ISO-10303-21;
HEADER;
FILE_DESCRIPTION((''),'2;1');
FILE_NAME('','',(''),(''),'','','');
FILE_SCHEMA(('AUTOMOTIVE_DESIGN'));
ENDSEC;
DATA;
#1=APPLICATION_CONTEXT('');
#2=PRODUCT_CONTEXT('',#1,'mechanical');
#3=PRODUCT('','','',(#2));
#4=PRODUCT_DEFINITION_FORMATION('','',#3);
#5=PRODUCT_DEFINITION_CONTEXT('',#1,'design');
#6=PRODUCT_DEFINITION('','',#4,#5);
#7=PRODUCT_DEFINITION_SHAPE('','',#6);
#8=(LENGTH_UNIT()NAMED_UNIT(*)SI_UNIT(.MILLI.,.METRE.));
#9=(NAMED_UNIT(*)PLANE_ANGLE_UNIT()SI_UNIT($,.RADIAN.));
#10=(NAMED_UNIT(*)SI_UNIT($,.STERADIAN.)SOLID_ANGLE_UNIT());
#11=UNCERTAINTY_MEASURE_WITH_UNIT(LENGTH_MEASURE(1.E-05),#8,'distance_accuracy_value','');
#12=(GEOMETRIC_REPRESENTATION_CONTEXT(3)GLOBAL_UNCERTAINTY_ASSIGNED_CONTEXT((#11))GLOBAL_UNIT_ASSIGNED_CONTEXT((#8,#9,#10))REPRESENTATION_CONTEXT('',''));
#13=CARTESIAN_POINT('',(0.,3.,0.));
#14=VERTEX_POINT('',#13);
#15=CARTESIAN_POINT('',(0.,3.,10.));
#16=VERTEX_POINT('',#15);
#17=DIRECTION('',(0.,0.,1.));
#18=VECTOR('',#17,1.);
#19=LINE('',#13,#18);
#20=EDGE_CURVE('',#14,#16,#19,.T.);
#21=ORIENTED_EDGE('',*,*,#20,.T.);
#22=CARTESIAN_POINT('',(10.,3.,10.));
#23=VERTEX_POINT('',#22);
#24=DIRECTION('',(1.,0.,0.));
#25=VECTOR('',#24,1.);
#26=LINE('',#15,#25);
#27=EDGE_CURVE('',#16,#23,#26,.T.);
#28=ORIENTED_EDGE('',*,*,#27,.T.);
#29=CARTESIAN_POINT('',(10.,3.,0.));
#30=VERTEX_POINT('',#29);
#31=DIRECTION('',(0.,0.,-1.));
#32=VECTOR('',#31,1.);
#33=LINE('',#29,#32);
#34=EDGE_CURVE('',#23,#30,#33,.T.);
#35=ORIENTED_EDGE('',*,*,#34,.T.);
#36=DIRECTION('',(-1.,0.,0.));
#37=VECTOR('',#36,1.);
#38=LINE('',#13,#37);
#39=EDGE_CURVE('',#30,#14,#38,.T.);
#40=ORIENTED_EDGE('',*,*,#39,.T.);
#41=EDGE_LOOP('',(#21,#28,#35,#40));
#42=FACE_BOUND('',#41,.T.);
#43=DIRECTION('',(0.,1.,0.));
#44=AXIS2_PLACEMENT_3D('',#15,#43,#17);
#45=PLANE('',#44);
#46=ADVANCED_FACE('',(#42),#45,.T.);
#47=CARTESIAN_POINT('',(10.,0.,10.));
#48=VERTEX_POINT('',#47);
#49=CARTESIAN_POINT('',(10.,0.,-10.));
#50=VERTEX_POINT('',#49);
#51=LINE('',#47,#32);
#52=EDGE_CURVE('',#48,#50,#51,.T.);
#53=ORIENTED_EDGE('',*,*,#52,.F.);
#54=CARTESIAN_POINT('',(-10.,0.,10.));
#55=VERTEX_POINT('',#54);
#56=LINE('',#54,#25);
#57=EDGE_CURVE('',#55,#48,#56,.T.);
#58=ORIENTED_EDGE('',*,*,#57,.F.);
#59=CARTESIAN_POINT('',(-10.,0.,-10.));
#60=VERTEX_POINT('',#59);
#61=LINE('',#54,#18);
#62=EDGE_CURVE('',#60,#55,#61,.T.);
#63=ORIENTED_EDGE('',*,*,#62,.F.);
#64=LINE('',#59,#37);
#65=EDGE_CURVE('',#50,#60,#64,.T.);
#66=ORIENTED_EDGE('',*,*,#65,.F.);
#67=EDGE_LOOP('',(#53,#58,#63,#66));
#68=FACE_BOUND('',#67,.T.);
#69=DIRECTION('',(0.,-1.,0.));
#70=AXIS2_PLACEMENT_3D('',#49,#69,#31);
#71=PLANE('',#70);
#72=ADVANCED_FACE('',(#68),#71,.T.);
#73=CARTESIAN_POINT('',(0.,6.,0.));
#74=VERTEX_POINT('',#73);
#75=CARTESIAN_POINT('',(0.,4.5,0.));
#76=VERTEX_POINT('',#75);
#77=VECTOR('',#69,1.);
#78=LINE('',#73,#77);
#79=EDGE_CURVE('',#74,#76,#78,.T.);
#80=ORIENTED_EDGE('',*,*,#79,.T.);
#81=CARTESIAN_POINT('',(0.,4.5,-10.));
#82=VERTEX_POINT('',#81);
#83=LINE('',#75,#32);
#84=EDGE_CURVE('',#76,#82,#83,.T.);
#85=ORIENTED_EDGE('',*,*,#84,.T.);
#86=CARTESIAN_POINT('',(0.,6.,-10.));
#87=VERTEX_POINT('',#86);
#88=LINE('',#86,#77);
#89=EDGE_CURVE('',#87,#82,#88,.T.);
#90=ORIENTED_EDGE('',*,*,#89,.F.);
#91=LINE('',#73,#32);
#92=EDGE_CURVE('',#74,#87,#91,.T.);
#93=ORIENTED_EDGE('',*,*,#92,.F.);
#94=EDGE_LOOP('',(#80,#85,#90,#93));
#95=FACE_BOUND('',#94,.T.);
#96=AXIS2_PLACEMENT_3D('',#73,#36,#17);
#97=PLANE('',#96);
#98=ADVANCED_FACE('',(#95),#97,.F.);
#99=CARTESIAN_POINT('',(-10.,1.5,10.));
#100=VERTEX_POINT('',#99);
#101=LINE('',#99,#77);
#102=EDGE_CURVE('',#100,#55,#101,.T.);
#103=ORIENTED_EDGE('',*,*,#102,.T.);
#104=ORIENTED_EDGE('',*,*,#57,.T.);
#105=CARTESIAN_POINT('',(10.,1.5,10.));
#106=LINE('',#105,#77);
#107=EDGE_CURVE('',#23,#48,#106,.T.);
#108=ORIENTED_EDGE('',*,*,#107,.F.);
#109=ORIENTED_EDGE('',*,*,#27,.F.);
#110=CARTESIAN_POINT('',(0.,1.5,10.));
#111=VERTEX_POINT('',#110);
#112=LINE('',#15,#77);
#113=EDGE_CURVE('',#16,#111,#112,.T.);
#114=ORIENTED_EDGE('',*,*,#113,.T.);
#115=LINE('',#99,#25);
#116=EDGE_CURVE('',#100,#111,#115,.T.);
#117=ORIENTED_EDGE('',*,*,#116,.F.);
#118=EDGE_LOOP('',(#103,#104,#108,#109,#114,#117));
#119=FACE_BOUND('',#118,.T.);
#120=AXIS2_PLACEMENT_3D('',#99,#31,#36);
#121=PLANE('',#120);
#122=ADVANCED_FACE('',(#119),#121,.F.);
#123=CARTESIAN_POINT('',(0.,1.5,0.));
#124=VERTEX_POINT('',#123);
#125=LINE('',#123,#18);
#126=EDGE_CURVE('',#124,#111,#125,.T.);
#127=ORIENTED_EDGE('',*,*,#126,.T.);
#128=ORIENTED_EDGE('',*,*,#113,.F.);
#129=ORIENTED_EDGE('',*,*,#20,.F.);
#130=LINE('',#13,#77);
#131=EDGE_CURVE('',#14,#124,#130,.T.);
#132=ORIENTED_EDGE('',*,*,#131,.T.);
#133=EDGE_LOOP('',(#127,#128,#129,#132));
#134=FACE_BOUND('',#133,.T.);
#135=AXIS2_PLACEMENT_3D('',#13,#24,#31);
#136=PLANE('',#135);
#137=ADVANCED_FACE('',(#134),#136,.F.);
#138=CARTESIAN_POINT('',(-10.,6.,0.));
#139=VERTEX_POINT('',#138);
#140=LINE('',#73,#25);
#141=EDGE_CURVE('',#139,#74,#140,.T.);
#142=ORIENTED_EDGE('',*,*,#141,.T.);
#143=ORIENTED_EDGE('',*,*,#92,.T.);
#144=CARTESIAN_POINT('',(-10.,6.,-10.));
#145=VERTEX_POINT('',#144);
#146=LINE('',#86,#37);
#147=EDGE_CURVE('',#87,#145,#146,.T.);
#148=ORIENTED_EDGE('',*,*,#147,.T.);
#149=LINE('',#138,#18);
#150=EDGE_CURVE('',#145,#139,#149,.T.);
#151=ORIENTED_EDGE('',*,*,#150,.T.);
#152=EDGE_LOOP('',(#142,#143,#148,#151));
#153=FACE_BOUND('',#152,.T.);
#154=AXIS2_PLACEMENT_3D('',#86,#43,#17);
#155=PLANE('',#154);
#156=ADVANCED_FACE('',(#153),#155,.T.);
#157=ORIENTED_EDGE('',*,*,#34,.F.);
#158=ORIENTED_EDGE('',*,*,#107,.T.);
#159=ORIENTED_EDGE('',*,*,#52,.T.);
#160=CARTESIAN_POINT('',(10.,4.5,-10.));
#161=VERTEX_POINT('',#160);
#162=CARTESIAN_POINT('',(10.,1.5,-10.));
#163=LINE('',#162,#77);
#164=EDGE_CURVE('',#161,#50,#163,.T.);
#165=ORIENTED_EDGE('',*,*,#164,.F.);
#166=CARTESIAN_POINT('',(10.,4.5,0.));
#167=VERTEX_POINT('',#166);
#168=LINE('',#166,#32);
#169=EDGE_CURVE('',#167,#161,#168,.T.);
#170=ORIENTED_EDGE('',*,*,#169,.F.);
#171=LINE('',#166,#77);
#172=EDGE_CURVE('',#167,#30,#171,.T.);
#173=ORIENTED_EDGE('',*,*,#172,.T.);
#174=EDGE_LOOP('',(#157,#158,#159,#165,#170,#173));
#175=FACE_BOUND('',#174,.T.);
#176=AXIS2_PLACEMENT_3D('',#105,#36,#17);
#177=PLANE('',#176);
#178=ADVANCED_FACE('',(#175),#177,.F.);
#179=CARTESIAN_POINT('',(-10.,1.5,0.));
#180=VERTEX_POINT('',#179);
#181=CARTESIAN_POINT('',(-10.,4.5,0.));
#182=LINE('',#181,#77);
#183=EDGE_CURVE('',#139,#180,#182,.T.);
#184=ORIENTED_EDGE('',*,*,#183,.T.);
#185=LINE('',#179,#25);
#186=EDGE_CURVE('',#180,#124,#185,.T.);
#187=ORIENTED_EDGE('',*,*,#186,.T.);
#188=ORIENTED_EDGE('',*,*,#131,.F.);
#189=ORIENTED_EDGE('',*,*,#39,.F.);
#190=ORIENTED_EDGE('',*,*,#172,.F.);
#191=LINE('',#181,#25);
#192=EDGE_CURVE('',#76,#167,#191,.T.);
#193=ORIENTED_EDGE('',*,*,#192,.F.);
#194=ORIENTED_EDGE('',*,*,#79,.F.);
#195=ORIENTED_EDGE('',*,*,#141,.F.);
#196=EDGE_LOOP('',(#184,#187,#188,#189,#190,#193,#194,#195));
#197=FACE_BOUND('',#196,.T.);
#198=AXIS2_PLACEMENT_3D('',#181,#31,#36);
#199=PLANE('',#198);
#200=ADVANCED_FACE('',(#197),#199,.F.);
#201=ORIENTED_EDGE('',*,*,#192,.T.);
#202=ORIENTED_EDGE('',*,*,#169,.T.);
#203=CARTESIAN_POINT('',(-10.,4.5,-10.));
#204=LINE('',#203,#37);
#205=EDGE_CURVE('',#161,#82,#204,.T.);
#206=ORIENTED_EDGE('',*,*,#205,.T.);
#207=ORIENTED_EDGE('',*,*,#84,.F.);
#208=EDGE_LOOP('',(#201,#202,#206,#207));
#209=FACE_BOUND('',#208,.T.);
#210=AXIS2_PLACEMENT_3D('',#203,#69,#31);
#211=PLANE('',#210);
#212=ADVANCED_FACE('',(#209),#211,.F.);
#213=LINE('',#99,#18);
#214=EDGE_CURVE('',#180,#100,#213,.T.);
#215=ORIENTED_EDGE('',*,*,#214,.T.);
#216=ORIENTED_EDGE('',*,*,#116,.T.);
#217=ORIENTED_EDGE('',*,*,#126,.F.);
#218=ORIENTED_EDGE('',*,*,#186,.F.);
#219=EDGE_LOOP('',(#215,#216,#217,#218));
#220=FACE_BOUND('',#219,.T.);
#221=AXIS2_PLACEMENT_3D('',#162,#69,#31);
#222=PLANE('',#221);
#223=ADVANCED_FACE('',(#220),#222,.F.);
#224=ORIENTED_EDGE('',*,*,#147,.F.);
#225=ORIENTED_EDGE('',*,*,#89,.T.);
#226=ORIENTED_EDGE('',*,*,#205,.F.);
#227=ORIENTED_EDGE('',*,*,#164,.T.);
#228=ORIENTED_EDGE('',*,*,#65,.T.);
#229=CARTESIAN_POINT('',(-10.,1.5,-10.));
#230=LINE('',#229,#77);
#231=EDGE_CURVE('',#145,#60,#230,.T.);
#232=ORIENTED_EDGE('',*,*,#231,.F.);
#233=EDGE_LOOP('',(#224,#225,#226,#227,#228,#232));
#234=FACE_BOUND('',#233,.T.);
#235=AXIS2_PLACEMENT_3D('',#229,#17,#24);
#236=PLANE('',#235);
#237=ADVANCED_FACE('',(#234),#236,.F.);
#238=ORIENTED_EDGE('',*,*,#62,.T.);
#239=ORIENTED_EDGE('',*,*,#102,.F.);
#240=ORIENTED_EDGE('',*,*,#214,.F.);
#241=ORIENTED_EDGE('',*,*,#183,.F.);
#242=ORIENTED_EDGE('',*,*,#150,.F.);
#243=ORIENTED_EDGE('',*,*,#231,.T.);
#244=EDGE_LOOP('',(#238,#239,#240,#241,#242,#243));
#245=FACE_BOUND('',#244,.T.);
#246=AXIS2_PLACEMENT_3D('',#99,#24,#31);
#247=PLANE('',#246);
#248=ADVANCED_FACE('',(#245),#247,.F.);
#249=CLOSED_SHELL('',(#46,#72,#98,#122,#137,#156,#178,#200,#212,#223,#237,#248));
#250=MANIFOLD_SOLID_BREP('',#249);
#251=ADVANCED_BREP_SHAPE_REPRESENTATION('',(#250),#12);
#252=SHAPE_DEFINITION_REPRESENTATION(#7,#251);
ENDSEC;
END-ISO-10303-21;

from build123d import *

# Parameters (mm, degrees)
SKETCH1_W      = 20
SKETCH1_H      = 20
EXTRUDE1_DEPTH = 1.5
SKETCH2_W      = 20
SKETCH2_H      = 10
EXTRUDE2_DEPTH = 3
SKETCH3_W      = 10
SKETCH3_H      = 10
EXTRUDE3_DEPTH = 1.5
SKETCH4_W      = 10
SKETCH4_H      = 10
EXTRUDE4_DEPTH = 1.5


with BuildPart() as part:
    # Sketch1 → Extrude1 (new body)
    with BuildSketch(Plane(origin=(0, 0, 0), x_dir=(1, 0, 0), z_dir=(0, 1, 0))):
        Rectangle(SKETCH1_W, SKETCH1_H)
    extrude(amount=EXTRUDE1_DEPTH)

    # Sketch2 → Extrude2 (add)
    with BuildSketch(Plane(origin=(0, 1.5, 0), x_dir=(1, 0, 0), z_dir=(0, 1, 0))):
        with Locations((0, 5)):
            Rectangle(SKETCH2_W, SKETCH2_H)
    extrude(amount=EXTRUDE2_DEPTH)

    # Sketch3 → Extrude3 (add)
    with BuildSketch(Plane(origin=(0, 1.5, 0), x_dir=(1, 0, 0), z_dir=(0, 1, 0))):
        with Locations((5, -5)):
            Rectangle(SKETCH3_W, SKETCH3_H)
    extrude(amount=EXTRUDE3_DEPTH)

    # Sketch4 → Extrude4 (add)
    with BuildSketch(Plane(origin=(0, 4.5, 0), x_dir=(-1, 0, 0), z_dir=(0, 1, 0))):
        with Locations((5, -5)):
            Rectangle(SKETCH4_W, SKETCH4_H)
    extrude(amount=EXTRUDE4_DEPTH)


solid = part.part
